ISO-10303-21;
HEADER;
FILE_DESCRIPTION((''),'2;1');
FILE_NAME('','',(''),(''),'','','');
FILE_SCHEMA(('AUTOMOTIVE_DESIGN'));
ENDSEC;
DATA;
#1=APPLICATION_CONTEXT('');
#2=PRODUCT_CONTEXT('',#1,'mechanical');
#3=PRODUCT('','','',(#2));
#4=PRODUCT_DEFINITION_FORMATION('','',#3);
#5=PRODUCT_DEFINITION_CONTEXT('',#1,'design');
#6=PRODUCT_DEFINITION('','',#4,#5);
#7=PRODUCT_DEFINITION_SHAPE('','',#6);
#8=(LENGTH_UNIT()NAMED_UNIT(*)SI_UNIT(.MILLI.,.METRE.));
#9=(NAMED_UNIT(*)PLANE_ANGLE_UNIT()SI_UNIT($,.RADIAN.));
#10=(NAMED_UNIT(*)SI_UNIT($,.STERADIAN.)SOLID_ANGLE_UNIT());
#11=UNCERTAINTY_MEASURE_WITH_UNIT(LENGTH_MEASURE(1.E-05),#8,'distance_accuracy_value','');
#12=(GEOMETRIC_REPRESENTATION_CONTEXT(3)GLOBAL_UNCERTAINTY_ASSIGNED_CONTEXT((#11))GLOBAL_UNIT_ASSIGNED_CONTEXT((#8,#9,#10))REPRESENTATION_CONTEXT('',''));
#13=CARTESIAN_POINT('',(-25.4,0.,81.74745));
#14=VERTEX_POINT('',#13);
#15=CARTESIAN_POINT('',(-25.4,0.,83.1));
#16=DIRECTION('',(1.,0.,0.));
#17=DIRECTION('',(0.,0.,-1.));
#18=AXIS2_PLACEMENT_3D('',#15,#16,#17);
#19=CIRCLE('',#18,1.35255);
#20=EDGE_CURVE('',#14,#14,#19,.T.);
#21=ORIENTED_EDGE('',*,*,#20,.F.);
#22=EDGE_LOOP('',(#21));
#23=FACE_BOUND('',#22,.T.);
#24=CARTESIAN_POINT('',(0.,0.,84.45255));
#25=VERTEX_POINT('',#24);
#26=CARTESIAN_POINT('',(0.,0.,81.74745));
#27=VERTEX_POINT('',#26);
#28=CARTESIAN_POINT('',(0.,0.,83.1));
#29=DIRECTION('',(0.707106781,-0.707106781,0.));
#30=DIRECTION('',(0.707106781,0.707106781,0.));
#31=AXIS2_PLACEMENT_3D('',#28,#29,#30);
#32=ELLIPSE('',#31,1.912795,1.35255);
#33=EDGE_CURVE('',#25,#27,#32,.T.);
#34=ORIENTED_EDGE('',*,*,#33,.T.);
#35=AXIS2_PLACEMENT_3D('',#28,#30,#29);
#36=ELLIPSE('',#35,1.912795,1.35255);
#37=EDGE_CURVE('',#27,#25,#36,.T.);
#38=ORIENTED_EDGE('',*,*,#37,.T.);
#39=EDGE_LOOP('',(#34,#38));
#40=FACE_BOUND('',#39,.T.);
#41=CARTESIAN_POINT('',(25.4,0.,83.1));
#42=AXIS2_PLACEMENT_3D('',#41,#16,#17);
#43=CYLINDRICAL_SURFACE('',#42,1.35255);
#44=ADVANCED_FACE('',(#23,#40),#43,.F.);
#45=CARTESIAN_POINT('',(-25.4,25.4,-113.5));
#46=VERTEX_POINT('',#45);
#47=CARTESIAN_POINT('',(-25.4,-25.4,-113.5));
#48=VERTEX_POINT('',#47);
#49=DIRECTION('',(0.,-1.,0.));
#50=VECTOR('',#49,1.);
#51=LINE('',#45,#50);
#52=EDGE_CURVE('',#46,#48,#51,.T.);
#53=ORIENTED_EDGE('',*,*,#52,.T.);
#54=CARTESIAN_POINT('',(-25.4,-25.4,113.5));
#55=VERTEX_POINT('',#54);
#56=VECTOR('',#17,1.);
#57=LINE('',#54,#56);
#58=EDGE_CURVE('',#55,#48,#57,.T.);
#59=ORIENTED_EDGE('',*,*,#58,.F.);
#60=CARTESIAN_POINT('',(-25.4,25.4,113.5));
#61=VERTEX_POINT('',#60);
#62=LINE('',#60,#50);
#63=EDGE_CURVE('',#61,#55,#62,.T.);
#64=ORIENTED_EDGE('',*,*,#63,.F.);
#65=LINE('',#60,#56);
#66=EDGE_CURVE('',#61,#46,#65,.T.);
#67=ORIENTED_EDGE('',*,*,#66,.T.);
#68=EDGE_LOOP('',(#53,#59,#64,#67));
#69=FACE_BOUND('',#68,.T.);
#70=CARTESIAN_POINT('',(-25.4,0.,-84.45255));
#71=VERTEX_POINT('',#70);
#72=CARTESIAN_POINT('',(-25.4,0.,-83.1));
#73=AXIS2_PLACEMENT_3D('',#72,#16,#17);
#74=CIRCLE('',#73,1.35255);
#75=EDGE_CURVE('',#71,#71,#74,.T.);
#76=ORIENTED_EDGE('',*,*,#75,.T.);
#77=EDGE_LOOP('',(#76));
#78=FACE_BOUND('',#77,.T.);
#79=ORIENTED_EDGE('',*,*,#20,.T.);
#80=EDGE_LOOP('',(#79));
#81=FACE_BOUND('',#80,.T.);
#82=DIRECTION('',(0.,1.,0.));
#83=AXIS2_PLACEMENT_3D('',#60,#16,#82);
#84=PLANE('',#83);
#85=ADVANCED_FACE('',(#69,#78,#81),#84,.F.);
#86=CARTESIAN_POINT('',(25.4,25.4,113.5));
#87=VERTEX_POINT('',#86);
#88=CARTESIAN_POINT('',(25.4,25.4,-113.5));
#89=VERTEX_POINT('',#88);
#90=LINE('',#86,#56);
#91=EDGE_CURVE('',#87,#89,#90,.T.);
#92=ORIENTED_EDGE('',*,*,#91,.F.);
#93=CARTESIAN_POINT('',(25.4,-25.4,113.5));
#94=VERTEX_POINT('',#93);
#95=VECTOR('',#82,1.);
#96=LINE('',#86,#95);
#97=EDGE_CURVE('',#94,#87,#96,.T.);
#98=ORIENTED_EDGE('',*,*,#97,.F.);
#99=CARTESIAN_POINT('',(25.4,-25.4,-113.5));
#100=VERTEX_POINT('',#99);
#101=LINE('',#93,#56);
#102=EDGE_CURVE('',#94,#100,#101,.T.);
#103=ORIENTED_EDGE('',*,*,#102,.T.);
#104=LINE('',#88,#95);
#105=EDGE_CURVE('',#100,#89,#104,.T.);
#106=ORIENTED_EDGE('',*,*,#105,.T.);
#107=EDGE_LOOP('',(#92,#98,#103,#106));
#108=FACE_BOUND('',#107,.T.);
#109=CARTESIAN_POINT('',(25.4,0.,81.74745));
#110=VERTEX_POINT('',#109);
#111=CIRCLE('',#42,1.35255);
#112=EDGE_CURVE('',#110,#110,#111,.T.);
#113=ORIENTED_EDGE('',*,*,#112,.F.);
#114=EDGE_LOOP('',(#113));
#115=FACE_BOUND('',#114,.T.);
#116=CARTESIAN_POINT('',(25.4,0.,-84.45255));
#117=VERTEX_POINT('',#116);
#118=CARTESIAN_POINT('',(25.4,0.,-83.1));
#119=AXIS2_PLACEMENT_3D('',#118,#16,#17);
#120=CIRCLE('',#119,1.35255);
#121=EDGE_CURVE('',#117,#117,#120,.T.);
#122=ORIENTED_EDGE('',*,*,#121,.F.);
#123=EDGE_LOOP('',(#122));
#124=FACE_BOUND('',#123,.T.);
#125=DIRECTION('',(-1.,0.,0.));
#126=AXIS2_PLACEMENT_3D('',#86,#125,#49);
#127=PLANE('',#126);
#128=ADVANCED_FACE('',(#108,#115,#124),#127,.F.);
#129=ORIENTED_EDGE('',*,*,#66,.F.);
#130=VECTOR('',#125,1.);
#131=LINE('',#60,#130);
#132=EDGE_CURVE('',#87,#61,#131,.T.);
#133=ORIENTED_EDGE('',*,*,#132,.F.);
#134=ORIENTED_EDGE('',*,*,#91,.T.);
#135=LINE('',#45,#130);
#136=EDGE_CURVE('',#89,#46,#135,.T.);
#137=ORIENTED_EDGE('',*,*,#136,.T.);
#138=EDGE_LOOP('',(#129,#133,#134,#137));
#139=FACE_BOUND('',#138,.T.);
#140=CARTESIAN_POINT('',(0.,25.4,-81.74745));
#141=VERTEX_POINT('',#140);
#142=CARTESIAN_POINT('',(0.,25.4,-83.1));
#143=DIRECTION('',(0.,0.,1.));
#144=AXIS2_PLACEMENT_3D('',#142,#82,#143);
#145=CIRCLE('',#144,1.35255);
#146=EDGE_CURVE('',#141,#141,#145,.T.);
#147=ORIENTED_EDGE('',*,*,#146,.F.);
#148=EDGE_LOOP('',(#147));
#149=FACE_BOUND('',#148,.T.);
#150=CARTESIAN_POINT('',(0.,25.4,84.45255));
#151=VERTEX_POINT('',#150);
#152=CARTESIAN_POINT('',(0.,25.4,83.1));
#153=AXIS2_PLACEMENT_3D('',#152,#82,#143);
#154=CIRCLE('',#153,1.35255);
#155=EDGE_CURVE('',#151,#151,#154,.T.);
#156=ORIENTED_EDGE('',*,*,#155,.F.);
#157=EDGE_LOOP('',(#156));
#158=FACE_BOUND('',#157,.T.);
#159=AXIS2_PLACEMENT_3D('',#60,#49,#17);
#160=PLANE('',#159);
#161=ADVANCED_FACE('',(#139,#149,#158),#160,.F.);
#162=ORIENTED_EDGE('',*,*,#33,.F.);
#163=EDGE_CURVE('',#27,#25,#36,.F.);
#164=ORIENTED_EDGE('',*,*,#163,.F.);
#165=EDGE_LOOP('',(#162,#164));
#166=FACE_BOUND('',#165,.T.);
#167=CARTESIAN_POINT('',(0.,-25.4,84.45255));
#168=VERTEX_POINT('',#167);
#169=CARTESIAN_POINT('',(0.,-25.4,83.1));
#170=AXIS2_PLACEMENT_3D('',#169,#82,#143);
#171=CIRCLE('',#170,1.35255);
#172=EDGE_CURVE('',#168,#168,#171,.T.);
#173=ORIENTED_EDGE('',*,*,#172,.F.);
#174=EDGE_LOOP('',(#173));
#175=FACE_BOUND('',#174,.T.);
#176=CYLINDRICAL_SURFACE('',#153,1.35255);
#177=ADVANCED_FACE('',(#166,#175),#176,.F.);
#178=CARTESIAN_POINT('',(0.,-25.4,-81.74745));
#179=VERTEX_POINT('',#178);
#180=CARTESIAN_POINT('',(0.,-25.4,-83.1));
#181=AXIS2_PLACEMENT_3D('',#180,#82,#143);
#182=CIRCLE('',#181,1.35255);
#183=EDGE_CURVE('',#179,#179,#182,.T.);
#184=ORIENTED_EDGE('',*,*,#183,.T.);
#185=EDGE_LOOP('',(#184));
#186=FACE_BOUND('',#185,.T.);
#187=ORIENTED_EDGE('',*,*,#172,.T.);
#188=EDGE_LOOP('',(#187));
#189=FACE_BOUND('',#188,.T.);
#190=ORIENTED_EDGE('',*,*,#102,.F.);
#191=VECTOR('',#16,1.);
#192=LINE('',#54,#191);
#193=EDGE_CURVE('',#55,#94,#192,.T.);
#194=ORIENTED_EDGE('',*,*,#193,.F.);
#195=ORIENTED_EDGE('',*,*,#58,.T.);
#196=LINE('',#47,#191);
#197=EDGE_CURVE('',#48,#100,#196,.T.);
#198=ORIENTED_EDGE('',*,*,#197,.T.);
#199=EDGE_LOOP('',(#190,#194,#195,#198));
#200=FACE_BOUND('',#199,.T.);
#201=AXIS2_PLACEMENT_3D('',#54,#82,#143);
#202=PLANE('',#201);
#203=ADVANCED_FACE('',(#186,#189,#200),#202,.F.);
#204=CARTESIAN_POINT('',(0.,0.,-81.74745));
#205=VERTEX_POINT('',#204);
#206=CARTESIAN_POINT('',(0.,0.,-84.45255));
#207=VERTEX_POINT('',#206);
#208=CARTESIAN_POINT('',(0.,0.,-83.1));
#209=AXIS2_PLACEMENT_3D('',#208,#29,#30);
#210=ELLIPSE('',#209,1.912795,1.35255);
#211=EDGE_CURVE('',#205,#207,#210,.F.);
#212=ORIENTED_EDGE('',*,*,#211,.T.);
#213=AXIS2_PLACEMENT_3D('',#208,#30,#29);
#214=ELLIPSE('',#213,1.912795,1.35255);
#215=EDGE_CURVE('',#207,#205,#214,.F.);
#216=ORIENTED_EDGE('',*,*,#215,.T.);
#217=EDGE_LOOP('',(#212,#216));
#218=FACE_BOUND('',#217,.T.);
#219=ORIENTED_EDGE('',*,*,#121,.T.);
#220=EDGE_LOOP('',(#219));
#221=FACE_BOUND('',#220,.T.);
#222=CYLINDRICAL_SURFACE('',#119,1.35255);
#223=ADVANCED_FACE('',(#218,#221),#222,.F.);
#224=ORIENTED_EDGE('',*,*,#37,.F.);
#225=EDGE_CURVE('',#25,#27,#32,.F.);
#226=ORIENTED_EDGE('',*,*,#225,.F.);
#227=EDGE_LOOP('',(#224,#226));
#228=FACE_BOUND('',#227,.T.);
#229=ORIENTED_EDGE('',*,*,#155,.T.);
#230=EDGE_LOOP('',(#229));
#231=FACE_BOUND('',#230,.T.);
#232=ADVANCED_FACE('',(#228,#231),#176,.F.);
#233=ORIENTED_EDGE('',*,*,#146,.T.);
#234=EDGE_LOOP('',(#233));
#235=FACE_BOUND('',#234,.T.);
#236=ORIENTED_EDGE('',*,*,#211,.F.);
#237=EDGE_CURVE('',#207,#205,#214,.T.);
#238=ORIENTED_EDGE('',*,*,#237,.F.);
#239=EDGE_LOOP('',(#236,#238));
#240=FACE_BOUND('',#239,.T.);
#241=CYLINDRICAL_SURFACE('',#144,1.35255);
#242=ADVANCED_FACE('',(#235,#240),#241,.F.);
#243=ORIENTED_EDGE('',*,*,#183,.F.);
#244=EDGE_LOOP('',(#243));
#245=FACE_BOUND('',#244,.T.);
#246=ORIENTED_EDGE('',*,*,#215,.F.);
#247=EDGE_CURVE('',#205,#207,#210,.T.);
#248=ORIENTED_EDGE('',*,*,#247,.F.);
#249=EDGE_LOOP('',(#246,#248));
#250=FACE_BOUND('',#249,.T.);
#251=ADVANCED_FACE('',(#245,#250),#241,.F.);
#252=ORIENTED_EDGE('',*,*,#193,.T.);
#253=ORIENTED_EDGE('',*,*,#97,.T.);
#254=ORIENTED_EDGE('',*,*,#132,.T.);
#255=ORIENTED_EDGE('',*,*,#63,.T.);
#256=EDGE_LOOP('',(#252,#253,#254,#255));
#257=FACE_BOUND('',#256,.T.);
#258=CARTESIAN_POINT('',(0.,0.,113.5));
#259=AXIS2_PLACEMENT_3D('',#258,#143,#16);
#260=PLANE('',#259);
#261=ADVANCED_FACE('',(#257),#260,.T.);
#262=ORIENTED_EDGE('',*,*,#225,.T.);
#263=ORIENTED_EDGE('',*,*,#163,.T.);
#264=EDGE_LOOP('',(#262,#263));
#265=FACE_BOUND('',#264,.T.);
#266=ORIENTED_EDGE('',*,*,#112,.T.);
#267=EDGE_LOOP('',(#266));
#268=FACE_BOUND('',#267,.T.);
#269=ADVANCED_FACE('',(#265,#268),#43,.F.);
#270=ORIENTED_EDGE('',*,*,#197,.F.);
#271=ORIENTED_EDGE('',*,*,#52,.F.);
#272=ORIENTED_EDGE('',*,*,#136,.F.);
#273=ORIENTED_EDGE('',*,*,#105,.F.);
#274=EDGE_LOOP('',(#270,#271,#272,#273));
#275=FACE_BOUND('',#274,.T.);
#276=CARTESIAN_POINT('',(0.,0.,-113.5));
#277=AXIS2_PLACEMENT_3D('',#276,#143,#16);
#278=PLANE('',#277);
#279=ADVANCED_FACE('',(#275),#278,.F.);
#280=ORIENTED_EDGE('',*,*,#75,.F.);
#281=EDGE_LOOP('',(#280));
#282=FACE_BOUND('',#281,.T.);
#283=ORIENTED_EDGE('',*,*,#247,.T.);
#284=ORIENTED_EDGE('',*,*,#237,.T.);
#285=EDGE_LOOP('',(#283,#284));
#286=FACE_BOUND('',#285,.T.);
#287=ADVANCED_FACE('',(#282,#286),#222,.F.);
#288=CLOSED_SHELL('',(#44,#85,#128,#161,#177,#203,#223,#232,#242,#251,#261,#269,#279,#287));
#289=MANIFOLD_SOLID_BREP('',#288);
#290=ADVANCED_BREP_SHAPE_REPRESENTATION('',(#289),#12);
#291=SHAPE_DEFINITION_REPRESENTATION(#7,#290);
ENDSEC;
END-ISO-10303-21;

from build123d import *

# Parameters (mm, degrees)
ESQUISSE1_W                              = 50.8
ESQUISSE1_H                              = 50.8
BOSS_EXTRU_1_DEPTH                       = 113.5
TROU_POUR_TARAUDAGE_POUR_TROU_TARAUD_6_D = 2.7051
TROU_POUR_TARAUDAGE_POUR_TROU_TARAUD_2_D = 2.7051


with BuildPart() as part:
    # Esquisse1 → Boss.-Extru.1 (new, symmetric)
    with BuildSketch(Plane.XY):
        Rectangle(ESQUISSE1_W, ESQUISSE1_H)
    extrude(amount=BOSS_EXTRU_1_DEPTH, both=True)

    # Trou pour taraudage pour trou taraud_ _6 (through all)
    with Locations(Plane(origin=(25.4, 0, 0), x_dir=(0, 0, -1), z_dir=(1, 0, 0))):
        with Locations((-83.1, 0), (83.1, 0)):
            Hole(TROU_POUR_TARAUDAGE_POUR_TROU_TARAUD_6_D / 2)

    # Trou pour taraudage pour trou taraud 2 (through all)
    with Locations(Plane(origin=(0, 25.4, 0), x_dir=(1, 0, 0), z_dir=(0, 1, 0))):
        with Locations((0, -83.1), (0, 83.1)):
            Hole(TROU_POUR_TARAUDAGE_POUR_TROU_TARAUD_2_D / 2)


solid = part.part
